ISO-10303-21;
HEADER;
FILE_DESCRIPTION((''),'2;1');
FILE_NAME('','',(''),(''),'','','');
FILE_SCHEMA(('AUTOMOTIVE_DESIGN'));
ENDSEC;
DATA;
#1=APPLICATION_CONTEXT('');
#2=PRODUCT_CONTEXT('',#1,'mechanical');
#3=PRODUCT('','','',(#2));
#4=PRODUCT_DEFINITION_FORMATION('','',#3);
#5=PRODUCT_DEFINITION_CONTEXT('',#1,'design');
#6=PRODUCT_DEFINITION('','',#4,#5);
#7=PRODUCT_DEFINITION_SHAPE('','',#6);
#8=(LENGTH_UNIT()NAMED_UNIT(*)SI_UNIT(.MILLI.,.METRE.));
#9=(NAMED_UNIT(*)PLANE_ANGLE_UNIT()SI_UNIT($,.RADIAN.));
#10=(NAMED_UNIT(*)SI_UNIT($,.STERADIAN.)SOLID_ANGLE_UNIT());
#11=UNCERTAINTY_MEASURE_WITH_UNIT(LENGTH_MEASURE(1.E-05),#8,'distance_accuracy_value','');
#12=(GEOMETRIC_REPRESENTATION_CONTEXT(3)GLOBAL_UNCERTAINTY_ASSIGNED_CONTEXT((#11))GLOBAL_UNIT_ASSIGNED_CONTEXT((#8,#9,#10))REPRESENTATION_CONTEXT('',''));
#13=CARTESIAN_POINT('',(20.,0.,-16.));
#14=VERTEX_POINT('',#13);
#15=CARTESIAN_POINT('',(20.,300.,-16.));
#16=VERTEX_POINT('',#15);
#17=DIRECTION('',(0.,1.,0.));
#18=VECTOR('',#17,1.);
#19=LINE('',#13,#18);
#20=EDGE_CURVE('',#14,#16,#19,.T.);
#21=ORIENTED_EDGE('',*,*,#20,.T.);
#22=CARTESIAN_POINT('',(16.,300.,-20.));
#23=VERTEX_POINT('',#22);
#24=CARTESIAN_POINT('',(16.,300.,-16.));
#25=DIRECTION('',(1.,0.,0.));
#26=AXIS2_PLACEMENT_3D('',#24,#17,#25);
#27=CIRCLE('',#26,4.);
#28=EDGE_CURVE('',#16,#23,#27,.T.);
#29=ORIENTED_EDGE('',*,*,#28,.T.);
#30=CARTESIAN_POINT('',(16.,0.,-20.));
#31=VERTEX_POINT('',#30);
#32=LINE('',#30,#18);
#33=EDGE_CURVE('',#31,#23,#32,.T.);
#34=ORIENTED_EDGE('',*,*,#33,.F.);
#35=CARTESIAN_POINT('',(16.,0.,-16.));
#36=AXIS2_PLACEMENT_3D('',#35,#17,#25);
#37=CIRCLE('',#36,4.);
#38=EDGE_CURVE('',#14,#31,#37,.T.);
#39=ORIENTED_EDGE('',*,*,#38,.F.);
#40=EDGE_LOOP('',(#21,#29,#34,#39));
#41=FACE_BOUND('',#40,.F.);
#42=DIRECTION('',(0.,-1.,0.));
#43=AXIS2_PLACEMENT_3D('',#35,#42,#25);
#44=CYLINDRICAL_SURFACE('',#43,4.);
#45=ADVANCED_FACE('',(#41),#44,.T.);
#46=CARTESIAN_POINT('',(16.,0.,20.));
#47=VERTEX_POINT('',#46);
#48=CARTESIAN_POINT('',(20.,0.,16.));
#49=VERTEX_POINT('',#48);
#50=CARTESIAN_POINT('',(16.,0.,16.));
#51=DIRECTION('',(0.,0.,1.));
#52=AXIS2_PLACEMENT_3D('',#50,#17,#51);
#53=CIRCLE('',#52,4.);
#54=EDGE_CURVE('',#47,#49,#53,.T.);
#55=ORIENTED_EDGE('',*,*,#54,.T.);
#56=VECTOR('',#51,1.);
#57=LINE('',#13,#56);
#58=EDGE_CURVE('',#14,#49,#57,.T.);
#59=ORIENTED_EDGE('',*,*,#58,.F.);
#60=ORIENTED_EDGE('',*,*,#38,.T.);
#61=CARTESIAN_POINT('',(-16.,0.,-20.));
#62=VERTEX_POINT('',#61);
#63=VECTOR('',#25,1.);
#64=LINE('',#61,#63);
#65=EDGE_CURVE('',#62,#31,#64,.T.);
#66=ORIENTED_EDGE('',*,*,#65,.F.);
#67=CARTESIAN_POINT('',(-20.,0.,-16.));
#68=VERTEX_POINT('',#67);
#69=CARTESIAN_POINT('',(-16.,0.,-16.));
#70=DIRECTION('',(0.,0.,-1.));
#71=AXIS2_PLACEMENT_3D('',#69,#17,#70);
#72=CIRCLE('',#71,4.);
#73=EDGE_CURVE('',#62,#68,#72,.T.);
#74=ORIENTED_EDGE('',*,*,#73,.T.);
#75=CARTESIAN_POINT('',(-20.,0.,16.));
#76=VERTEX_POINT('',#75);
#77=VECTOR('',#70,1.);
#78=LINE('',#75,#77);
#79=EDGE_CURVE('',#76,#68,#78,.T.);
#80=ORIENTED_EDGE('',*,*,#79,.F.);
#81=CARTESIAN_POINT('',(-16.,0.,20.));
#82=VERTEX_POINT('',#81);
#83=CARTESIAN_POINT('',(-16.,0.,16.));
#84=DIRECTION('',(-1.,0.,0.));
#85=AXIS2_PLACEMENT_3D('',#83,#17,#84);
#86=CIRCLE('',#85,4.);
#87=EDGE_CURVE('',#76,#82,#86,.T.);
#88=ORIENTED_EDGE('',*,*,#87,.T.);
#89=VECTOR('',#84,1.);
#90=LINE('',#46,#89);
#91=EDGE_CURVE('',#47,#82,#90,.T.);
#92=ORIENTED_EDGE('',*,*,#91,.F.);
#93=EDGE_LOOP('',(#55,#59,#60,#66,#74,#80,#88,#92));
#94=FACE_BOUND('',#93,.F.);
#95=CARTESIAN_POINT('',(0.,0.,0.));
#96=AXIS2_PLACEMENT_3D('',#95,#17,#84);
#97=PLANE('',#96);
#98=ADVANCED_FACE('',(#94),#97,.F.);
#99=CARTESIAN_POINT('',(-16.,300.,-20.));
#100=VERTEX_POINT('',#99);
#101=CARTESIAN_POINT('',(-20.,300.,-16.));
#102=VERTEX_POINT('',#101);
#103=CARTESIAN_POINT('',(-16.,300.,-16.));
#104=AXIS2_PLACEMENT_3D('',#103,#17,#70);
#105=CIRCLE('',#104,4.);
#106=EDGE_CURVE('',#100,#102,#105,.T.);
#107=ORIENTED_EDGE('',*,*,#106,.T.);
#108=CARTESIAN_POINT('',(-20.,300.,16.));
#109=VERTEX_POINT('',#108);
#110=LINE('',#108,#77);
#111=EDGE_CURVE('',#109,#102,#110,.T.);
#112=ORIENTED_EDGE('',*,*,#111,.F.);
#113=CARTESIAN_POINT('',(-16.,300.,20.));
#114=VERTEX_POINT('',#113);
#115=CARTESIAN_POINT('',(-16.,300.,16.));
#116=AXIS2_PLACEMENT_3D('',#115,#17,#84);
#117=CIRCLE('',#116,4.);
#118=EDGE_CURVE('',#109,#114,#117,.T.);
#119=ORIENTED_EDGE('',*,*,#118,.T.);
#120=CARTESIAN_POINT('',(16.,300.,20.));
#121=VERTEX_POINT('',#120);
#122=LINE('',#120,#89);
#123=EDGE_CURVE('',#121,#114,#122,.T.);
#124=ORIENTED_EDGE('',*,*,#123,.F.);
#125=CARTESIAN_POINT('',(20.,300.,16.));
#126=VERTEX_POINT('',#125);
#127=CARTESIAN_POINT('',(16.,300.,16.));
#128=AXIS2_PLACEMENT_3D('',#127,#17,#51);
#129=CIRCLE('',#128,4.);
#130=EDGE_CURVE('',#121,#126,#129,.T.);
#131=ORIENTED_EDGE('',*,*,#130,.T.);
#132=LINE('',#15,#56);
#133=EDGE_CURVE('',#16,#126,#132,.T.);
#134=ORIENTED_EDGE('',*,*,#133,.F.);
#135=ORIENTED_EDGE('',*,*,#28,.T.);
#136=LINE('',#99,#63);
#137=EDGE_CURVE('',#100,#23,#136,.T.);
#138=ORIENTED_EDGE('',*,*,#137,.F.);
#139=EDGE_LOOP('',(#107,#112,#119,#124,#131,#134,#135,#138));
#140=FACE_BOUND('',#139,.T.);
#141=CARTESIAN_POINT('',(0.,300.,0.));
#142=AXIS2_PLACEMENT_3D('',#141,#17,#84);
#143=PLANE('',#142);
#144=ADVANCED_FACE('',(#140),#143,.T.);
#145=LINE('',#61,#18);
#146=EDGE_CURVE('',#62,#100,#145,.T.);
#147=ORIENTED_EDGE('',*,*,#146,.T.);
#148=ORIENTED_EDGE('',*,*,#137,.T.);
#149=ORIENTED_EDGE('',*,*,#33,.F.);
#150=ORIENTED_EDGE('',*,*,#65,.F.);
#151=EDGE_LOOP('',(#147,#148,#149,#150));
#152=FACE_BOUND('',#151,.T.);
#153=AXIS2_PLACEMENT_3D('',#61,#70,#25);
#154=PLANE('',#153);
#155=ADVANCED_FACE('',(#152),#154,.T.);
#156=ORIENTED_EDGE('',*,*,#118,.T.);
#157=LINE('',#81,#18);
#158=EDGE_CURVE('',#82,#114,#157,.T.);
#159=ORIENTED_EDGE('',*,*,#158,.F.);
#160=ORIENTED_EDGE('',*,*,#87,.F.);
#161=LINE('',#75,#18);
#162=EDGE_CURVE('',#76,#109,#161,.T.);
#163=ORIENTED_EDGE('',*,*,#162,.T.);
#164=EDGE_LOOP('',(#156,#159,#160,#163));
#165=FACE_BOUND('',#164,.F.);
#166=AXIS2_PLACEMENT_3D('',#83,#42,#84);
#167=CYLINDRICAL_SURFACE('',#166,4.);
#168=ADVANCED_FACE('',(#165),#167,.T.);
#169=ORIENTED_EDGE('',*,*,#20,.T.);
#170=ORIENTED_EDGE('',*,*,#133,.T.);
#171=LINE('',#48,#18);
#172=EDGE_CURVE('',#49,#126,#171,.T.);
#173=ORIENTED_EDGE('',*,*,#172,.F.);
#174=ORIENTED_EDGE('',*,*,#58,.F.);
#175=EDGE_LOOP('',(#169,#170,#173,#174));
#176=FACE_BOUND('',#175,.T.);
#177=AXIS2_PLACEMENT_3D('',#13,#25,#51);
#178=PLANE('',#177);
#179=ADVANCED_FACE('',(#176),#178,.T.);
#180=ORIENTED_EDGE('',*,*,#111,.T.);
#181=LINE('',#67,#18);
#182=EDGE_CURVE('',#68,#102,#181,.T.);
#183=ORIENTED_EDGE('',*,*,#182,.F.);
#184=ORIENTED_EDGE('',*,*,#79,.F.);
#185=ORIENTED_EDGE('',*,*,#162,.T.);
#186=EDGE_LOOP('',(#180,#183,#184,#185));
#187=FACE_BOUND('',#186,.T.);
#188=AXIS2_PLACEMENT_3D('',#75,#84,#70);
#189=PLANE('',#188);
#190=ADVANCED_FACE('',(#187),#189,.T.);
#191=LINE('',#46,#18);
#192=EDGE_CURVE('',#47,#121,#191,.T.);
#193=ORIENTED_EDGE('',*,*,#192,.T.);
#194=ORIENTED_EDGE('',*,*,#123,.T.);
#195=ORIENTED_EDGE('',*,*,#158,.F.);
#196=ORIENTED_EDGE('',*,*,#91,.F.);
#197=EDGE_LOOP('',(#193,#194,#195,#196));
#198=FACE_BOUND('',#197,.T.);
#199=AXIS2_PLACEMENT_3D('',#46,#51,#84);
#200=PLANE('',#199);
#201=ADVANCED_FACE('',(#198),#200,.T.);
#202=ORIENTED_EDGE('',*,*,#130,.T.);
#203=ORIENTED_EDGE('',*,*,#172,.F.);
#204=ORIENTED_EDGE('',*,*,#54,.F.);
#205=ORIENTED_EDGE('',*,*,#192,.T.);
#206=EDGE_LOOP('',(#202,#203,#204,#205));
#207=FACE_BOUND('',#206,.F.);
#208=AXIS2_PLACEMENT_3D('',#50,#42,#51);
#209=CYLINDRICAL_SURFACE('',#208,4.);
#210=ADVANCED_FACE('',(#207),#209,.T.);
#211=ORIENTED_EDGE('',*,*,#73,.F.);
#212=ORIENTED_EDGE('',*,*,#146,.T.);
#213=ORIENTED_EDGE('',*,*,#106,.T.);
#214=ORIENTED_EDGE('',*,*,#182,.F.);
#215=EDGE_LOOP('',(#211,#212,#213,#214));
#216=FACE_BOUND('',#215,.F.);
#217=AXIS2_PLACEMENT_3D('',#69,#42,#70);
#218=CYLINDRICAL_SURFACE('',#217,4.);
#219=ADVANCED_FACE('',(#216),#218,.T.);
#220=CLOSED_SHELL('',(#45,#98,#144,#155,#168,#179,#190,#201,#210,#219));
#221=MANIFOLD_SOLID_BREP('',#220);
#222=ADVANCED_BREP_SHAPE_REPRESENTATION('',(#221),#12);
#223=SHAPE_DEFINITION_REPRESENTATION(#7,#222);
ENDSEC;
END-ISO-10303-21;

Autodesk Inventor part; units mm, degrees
ref_plane "YZ Plane" through (0, 0, 0) normal (1, 0, 0) x (0, 1, 0)
ref_plane "XZ Plane" through (0, 0, 0) normal (0, 1, 0) x (-1, 0, 0)
ref_plane "XY Plane" through (0, 0, 0) normal (0, 0, 1) x (1, 0, 0)
sketch "Sketch1" plane through (0, 0, 0) normal (0, 1, 0) x (-1, 0, 0)
  line L0 (12.8536, 0) -> (-12.8536, 0) construction
  line L1 (0, -18.0149) -> (0, 18.0149) construction
  line L2 (16, -20) -> (-16, -20)
  line L3 (-20, -16) -> (-20, 16)
  line L4 (-16, 20) -> (16, 20)
  line L5 (20, 16) -> (20, -16)
  arc A0 (-16, 20) -> (-20, 16) centre (-16, 16) ccw
  arc A1 (-20, -16) -> (-16, -20) centre (-16, -16) ccw
  arc A2 (16, -20) -> (20, -16) centre (16, -16) ccw
  arc A3 (20, 16) -> (16, 20) centre (16, 16) ccw
  point P0 (0, 0)
  point P1 (0, 0)
  point P2 (0, 0)
  point P3 (20, -20)
  point P4 (-20, 20)
  point P5 (-20, -20)
  point P6 (20, 20)
  dimension "d0" = 40
  dimension "d1" = 40
  dimension "d2" = 4
extrude "Extrusion1" add sketch "Sketch1" along normal blind 300
properties part number "Item4040MotorHoricontalV1"
